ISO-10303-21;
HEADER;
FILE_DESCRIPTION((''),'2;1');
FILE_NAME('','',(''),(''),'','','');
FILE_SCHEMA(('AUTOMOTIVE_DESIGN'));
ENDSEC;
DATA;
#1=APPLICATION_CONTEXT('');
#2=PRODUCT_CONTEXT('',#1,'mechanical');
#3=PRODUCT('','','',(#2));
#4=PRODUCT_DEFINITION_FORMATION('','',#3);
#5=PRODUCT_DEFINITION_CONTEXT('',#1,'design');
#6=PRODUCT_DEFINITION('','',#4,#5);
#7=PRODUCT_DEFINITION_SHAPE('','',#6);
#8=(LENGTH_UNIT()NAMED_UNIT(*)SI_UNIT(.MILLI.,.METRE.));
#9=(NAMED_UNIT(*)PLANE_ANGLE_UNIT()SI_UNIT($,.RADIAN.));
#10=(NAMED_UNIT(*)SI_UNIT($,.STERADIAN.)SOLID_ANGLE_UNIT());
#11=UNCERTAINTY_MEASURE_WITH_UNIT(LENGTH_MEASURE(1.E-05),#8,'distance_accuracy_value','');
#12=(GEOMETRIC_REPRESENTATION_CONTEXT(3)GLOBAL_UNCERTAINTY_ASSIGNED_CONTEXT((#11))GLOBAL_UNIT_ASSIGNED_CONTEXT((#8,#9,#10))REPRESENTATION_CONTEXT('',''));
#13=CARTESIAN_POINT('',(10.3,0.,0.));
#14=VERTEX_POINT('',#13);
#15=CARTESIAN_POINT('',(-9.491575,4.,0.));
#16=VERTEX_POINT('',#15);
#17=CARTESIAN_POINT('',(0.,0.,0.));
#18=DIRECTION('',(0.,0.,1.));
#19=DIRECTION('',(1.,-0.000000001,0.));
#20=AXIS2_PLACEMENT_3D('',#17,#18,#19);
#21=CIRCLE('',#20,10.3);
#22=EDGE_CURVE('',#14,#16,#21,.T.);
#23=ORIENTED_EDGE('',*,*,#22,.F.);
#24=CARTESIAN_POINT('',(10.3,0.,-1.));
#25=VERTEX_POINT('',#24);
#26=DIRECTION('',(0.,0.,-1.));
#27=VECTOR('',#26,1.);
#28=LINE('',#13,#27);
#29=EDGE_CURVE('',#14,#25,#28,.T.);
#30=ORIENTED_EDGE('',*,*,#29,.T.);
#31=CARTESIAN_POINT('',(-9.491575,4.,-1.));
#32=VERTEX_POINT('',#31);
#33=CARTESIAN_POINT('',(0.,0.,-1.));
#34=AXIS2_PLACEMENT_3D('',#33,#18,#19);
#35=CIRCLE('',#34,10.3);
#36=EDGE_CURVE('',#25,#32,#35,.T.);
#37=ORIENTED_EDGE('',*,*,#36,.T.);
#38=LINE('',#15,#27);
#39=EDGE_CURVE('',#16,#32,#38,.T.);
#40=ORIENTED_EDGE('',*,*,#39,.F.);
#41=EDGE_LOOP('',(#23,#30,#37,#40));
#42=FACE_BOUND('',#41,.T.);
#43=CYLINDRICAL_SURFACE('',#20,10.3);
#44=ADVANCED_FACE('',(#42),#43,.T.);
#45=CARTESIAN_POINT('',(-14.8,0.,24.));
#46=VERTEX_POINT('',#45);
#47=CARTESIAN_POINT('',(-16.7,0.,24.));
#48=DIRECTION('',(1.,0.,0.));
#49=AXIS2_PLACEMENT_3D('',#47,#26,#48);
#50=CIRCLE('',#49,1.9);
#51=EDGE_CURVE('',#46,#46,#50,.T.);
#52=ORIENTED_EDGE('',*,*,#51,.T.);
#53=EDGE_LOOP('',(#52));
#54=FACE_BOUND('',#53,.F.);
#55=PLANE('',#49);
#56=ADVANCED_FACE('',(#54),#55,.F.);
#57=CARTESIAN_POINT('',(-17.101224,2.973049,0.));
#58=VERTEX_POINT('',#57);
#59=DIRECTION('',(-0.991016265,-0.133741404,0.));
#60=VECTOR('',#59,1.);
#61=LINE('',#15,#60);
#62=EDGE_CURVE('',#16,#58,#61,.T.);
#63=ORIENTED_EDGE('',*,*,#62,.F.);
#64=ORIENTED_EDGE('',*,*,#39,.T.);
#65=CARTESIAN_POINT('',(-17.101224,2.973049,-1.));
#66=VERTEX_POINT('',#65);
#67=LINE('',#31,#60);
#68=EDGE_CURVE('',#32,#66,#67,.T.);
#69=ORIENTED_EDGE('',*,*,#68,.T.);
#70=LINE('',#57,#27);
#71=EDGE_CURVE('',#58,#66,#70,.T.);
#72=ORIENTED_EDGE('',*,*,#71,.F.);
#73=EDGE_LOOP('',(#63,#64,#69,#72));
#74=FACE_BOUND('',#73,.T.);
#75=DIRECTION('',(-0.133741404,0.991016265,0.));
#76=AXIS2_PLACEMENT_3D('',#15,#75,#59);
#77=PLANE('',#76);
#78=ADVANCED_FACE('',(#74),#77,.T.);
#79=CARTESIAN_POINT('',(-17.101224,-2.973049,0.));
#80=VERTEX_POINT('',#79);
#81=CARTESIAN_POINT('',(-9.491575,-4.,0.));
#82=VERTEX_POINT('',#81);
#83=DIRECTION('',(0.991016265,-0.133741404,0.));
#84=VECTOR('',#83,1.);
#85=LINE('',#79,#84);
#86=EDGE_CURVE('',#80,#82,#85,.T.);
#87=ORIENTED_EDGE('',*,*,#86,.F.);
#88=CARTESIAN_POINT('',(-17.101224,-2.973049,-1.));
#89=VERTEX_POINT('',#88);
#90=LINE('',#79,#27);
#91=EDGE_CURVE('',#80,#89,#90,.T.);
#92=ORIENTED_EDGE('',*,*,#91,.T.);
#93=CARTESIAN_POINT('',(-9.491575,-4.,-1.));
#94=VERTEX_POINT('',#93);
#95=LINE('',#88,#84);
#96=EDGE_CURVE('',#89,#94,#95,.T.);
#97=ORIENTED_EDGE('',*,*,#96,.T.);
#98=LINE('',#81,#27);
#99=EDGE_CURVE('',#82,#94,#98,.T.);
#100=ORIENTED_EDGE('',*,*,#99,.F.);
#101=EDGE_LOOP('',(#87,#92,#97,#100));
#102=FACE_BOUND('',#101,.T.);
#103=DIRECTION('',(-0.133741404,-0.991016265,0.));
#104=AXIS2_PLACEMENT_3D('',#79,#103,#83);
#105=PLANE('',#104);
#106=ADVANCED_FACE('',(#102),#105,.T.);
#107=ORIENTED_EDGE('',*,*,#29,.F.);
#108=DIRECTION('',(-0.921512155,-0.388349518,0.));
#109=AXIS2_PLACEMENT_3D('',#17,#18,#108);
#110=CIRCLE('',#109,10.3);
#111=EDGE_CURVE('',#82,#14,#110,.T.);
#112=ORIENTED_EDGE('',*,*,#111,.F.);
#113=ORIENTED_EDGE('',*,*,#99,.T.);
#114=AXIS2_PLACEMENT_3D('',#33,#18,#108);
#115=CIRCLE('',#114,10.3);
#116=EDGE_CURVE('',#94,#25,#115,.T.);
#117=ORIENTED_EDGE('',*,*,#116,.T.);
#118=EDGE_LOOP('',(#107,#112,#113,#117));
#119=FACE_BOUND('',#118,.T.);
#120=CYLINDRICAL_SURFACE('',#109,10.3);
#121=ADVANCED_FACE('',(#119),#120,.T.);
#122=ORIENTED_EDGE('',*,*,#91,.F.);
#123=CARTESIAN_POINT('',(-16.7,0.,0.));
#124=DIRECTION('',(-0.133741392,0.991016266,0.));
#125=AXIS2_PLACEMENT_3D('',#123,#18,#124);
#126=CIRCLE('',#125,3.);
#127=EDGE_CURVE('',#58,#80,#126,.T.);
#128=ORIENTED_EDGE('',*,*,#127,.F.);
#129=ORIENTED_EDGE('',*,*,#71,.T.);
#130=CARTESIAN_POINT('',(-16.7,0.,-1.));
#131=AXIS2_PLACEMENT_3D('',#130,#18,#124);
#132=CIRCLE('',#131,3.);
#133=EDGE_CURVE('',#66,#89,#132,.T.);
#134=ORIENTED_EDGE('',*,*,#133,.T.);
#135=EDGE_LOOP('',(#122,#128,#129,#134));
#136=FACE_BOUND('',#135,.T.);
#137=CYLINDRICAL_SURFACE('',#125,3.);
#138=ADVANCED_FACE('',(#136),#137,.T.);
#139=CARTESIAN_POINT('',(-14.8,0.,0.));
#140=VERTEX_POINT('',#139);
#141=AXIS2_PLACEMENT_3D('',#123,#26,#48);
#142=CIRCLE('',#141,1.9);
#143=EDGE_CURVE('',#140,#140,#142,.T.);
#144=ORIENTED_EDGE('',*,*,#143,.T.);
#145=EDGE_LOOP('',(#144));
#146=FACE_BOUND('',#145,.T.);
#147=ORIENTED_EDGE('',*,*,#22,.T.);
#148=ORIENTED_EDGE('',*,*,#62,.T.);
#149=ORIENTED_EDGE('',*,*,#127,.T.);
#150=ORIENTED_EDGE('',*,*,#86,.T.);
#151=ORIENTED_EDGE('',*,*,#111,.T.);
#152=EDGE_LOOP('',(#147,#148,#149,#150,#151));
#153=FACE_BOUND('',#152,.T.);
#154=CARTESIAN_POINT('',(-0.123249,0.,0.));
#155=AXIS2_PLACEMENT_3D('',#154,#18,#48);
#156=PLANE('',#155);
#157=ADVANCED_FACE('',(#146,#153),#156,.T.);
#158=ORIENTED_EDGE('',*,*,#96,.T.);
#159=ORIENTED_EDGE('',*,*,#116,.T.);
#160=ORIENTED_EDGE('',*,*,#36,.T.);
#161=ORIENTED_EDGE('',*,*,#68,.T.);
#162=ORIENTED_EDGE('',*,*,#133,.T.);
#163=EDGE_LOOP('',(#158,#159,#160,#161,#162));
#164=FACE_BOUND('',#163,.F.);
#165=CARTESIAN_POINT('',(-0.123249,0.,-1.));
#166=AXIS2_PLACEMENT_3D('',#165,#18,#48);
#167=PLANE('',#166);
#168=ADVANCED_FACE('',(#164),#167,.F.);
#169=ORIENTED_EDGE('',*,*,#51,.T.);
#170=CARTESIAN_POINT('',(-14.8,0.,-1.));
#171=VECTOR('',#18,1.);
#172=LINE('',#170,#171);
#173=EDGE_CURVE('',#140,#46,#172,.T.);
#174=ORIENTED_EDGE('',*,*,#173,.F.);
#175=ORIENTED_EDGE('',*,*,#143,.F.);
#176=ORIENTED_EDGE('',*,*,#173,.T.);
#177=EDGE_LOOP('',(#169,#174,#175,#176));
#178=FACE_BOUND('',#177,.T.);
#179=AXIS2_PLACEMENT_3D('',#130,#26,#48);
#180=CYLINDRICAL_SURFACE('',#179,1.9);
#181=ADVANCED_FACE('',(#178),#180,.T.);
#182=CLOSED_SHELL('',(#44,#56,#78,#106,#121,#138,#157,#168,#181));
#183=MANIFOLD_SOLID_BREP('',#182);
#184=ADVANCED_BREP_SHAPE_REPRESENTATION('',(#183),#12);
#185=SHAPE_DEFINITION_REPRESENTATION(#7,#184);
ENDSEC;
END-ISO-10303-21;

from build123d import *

# Parameters (mm, degrees)
F0_R     = 1.5
F1_DEPTH = 1
F2_R     = 1.9
F3_DEPTH = 25


with BuildPart() as f1:
    # F0 (on Top) → F1 (new body)
    with BuildSketch(Plane.XY):
        with BuildLine():
            ThreePointArc((-9.491575, -4), (2.040438, -10.095871), (10.3, 0))
            ThreePointArc((10.3, 0), (2.040438, 10.095871), (-9.491575, 4))
            ThreePointArc((-9.491575, 4), (-10.3, 0), (-9.491575, -4))
        make_face()
        with BuildLine():
            ThreePointArc((-9.491575, -4), (-10.3, 0), (-9.491575, 4))
            Line((-9.491575, 4), (-17.101224, 2.973049))
            ThreePointArc((-17.101224, 2.973049), (-14.725623, 2.258725), (-13.7, 0))
            ThreePointArc((-13.7, 0), (-14.725623, -2.258725), (-17.101224, -2.973049))
            Line((-17.101224, -2.973049), (-9.491575, -4))
        make_face()
        with BuildLine():
            ThreePointArc((-13.7, 0), (-14.725623, 2.258725), (-17.101224, 2.973049))
            ThreePointArc((-17.101224, 2.973049), (-19.7, 0), (-17.101224, -2.973049))
            ThreePointArc((-17.101224, -2.973049), (-14.725623, -2.258725), (-13.7, 0))
        make_face()
        with Locations((-16.7, 0)):
            Circle(F0_R, mode=Mode.SUBTRACT)
    extrude(amount=-F1_DEPTH)

    # F2 (on face) → F3 (join)
    with BuildSketch(Plane(origin=(0, 0, -1), x_dir=(1, 0, 0), z_dir=(0, 0, -1))):
        with Locations((-16.7, 0)):
            Circle(F2_R)
    extrude(amount=-F3_DEPTH)


solid = f1.part
